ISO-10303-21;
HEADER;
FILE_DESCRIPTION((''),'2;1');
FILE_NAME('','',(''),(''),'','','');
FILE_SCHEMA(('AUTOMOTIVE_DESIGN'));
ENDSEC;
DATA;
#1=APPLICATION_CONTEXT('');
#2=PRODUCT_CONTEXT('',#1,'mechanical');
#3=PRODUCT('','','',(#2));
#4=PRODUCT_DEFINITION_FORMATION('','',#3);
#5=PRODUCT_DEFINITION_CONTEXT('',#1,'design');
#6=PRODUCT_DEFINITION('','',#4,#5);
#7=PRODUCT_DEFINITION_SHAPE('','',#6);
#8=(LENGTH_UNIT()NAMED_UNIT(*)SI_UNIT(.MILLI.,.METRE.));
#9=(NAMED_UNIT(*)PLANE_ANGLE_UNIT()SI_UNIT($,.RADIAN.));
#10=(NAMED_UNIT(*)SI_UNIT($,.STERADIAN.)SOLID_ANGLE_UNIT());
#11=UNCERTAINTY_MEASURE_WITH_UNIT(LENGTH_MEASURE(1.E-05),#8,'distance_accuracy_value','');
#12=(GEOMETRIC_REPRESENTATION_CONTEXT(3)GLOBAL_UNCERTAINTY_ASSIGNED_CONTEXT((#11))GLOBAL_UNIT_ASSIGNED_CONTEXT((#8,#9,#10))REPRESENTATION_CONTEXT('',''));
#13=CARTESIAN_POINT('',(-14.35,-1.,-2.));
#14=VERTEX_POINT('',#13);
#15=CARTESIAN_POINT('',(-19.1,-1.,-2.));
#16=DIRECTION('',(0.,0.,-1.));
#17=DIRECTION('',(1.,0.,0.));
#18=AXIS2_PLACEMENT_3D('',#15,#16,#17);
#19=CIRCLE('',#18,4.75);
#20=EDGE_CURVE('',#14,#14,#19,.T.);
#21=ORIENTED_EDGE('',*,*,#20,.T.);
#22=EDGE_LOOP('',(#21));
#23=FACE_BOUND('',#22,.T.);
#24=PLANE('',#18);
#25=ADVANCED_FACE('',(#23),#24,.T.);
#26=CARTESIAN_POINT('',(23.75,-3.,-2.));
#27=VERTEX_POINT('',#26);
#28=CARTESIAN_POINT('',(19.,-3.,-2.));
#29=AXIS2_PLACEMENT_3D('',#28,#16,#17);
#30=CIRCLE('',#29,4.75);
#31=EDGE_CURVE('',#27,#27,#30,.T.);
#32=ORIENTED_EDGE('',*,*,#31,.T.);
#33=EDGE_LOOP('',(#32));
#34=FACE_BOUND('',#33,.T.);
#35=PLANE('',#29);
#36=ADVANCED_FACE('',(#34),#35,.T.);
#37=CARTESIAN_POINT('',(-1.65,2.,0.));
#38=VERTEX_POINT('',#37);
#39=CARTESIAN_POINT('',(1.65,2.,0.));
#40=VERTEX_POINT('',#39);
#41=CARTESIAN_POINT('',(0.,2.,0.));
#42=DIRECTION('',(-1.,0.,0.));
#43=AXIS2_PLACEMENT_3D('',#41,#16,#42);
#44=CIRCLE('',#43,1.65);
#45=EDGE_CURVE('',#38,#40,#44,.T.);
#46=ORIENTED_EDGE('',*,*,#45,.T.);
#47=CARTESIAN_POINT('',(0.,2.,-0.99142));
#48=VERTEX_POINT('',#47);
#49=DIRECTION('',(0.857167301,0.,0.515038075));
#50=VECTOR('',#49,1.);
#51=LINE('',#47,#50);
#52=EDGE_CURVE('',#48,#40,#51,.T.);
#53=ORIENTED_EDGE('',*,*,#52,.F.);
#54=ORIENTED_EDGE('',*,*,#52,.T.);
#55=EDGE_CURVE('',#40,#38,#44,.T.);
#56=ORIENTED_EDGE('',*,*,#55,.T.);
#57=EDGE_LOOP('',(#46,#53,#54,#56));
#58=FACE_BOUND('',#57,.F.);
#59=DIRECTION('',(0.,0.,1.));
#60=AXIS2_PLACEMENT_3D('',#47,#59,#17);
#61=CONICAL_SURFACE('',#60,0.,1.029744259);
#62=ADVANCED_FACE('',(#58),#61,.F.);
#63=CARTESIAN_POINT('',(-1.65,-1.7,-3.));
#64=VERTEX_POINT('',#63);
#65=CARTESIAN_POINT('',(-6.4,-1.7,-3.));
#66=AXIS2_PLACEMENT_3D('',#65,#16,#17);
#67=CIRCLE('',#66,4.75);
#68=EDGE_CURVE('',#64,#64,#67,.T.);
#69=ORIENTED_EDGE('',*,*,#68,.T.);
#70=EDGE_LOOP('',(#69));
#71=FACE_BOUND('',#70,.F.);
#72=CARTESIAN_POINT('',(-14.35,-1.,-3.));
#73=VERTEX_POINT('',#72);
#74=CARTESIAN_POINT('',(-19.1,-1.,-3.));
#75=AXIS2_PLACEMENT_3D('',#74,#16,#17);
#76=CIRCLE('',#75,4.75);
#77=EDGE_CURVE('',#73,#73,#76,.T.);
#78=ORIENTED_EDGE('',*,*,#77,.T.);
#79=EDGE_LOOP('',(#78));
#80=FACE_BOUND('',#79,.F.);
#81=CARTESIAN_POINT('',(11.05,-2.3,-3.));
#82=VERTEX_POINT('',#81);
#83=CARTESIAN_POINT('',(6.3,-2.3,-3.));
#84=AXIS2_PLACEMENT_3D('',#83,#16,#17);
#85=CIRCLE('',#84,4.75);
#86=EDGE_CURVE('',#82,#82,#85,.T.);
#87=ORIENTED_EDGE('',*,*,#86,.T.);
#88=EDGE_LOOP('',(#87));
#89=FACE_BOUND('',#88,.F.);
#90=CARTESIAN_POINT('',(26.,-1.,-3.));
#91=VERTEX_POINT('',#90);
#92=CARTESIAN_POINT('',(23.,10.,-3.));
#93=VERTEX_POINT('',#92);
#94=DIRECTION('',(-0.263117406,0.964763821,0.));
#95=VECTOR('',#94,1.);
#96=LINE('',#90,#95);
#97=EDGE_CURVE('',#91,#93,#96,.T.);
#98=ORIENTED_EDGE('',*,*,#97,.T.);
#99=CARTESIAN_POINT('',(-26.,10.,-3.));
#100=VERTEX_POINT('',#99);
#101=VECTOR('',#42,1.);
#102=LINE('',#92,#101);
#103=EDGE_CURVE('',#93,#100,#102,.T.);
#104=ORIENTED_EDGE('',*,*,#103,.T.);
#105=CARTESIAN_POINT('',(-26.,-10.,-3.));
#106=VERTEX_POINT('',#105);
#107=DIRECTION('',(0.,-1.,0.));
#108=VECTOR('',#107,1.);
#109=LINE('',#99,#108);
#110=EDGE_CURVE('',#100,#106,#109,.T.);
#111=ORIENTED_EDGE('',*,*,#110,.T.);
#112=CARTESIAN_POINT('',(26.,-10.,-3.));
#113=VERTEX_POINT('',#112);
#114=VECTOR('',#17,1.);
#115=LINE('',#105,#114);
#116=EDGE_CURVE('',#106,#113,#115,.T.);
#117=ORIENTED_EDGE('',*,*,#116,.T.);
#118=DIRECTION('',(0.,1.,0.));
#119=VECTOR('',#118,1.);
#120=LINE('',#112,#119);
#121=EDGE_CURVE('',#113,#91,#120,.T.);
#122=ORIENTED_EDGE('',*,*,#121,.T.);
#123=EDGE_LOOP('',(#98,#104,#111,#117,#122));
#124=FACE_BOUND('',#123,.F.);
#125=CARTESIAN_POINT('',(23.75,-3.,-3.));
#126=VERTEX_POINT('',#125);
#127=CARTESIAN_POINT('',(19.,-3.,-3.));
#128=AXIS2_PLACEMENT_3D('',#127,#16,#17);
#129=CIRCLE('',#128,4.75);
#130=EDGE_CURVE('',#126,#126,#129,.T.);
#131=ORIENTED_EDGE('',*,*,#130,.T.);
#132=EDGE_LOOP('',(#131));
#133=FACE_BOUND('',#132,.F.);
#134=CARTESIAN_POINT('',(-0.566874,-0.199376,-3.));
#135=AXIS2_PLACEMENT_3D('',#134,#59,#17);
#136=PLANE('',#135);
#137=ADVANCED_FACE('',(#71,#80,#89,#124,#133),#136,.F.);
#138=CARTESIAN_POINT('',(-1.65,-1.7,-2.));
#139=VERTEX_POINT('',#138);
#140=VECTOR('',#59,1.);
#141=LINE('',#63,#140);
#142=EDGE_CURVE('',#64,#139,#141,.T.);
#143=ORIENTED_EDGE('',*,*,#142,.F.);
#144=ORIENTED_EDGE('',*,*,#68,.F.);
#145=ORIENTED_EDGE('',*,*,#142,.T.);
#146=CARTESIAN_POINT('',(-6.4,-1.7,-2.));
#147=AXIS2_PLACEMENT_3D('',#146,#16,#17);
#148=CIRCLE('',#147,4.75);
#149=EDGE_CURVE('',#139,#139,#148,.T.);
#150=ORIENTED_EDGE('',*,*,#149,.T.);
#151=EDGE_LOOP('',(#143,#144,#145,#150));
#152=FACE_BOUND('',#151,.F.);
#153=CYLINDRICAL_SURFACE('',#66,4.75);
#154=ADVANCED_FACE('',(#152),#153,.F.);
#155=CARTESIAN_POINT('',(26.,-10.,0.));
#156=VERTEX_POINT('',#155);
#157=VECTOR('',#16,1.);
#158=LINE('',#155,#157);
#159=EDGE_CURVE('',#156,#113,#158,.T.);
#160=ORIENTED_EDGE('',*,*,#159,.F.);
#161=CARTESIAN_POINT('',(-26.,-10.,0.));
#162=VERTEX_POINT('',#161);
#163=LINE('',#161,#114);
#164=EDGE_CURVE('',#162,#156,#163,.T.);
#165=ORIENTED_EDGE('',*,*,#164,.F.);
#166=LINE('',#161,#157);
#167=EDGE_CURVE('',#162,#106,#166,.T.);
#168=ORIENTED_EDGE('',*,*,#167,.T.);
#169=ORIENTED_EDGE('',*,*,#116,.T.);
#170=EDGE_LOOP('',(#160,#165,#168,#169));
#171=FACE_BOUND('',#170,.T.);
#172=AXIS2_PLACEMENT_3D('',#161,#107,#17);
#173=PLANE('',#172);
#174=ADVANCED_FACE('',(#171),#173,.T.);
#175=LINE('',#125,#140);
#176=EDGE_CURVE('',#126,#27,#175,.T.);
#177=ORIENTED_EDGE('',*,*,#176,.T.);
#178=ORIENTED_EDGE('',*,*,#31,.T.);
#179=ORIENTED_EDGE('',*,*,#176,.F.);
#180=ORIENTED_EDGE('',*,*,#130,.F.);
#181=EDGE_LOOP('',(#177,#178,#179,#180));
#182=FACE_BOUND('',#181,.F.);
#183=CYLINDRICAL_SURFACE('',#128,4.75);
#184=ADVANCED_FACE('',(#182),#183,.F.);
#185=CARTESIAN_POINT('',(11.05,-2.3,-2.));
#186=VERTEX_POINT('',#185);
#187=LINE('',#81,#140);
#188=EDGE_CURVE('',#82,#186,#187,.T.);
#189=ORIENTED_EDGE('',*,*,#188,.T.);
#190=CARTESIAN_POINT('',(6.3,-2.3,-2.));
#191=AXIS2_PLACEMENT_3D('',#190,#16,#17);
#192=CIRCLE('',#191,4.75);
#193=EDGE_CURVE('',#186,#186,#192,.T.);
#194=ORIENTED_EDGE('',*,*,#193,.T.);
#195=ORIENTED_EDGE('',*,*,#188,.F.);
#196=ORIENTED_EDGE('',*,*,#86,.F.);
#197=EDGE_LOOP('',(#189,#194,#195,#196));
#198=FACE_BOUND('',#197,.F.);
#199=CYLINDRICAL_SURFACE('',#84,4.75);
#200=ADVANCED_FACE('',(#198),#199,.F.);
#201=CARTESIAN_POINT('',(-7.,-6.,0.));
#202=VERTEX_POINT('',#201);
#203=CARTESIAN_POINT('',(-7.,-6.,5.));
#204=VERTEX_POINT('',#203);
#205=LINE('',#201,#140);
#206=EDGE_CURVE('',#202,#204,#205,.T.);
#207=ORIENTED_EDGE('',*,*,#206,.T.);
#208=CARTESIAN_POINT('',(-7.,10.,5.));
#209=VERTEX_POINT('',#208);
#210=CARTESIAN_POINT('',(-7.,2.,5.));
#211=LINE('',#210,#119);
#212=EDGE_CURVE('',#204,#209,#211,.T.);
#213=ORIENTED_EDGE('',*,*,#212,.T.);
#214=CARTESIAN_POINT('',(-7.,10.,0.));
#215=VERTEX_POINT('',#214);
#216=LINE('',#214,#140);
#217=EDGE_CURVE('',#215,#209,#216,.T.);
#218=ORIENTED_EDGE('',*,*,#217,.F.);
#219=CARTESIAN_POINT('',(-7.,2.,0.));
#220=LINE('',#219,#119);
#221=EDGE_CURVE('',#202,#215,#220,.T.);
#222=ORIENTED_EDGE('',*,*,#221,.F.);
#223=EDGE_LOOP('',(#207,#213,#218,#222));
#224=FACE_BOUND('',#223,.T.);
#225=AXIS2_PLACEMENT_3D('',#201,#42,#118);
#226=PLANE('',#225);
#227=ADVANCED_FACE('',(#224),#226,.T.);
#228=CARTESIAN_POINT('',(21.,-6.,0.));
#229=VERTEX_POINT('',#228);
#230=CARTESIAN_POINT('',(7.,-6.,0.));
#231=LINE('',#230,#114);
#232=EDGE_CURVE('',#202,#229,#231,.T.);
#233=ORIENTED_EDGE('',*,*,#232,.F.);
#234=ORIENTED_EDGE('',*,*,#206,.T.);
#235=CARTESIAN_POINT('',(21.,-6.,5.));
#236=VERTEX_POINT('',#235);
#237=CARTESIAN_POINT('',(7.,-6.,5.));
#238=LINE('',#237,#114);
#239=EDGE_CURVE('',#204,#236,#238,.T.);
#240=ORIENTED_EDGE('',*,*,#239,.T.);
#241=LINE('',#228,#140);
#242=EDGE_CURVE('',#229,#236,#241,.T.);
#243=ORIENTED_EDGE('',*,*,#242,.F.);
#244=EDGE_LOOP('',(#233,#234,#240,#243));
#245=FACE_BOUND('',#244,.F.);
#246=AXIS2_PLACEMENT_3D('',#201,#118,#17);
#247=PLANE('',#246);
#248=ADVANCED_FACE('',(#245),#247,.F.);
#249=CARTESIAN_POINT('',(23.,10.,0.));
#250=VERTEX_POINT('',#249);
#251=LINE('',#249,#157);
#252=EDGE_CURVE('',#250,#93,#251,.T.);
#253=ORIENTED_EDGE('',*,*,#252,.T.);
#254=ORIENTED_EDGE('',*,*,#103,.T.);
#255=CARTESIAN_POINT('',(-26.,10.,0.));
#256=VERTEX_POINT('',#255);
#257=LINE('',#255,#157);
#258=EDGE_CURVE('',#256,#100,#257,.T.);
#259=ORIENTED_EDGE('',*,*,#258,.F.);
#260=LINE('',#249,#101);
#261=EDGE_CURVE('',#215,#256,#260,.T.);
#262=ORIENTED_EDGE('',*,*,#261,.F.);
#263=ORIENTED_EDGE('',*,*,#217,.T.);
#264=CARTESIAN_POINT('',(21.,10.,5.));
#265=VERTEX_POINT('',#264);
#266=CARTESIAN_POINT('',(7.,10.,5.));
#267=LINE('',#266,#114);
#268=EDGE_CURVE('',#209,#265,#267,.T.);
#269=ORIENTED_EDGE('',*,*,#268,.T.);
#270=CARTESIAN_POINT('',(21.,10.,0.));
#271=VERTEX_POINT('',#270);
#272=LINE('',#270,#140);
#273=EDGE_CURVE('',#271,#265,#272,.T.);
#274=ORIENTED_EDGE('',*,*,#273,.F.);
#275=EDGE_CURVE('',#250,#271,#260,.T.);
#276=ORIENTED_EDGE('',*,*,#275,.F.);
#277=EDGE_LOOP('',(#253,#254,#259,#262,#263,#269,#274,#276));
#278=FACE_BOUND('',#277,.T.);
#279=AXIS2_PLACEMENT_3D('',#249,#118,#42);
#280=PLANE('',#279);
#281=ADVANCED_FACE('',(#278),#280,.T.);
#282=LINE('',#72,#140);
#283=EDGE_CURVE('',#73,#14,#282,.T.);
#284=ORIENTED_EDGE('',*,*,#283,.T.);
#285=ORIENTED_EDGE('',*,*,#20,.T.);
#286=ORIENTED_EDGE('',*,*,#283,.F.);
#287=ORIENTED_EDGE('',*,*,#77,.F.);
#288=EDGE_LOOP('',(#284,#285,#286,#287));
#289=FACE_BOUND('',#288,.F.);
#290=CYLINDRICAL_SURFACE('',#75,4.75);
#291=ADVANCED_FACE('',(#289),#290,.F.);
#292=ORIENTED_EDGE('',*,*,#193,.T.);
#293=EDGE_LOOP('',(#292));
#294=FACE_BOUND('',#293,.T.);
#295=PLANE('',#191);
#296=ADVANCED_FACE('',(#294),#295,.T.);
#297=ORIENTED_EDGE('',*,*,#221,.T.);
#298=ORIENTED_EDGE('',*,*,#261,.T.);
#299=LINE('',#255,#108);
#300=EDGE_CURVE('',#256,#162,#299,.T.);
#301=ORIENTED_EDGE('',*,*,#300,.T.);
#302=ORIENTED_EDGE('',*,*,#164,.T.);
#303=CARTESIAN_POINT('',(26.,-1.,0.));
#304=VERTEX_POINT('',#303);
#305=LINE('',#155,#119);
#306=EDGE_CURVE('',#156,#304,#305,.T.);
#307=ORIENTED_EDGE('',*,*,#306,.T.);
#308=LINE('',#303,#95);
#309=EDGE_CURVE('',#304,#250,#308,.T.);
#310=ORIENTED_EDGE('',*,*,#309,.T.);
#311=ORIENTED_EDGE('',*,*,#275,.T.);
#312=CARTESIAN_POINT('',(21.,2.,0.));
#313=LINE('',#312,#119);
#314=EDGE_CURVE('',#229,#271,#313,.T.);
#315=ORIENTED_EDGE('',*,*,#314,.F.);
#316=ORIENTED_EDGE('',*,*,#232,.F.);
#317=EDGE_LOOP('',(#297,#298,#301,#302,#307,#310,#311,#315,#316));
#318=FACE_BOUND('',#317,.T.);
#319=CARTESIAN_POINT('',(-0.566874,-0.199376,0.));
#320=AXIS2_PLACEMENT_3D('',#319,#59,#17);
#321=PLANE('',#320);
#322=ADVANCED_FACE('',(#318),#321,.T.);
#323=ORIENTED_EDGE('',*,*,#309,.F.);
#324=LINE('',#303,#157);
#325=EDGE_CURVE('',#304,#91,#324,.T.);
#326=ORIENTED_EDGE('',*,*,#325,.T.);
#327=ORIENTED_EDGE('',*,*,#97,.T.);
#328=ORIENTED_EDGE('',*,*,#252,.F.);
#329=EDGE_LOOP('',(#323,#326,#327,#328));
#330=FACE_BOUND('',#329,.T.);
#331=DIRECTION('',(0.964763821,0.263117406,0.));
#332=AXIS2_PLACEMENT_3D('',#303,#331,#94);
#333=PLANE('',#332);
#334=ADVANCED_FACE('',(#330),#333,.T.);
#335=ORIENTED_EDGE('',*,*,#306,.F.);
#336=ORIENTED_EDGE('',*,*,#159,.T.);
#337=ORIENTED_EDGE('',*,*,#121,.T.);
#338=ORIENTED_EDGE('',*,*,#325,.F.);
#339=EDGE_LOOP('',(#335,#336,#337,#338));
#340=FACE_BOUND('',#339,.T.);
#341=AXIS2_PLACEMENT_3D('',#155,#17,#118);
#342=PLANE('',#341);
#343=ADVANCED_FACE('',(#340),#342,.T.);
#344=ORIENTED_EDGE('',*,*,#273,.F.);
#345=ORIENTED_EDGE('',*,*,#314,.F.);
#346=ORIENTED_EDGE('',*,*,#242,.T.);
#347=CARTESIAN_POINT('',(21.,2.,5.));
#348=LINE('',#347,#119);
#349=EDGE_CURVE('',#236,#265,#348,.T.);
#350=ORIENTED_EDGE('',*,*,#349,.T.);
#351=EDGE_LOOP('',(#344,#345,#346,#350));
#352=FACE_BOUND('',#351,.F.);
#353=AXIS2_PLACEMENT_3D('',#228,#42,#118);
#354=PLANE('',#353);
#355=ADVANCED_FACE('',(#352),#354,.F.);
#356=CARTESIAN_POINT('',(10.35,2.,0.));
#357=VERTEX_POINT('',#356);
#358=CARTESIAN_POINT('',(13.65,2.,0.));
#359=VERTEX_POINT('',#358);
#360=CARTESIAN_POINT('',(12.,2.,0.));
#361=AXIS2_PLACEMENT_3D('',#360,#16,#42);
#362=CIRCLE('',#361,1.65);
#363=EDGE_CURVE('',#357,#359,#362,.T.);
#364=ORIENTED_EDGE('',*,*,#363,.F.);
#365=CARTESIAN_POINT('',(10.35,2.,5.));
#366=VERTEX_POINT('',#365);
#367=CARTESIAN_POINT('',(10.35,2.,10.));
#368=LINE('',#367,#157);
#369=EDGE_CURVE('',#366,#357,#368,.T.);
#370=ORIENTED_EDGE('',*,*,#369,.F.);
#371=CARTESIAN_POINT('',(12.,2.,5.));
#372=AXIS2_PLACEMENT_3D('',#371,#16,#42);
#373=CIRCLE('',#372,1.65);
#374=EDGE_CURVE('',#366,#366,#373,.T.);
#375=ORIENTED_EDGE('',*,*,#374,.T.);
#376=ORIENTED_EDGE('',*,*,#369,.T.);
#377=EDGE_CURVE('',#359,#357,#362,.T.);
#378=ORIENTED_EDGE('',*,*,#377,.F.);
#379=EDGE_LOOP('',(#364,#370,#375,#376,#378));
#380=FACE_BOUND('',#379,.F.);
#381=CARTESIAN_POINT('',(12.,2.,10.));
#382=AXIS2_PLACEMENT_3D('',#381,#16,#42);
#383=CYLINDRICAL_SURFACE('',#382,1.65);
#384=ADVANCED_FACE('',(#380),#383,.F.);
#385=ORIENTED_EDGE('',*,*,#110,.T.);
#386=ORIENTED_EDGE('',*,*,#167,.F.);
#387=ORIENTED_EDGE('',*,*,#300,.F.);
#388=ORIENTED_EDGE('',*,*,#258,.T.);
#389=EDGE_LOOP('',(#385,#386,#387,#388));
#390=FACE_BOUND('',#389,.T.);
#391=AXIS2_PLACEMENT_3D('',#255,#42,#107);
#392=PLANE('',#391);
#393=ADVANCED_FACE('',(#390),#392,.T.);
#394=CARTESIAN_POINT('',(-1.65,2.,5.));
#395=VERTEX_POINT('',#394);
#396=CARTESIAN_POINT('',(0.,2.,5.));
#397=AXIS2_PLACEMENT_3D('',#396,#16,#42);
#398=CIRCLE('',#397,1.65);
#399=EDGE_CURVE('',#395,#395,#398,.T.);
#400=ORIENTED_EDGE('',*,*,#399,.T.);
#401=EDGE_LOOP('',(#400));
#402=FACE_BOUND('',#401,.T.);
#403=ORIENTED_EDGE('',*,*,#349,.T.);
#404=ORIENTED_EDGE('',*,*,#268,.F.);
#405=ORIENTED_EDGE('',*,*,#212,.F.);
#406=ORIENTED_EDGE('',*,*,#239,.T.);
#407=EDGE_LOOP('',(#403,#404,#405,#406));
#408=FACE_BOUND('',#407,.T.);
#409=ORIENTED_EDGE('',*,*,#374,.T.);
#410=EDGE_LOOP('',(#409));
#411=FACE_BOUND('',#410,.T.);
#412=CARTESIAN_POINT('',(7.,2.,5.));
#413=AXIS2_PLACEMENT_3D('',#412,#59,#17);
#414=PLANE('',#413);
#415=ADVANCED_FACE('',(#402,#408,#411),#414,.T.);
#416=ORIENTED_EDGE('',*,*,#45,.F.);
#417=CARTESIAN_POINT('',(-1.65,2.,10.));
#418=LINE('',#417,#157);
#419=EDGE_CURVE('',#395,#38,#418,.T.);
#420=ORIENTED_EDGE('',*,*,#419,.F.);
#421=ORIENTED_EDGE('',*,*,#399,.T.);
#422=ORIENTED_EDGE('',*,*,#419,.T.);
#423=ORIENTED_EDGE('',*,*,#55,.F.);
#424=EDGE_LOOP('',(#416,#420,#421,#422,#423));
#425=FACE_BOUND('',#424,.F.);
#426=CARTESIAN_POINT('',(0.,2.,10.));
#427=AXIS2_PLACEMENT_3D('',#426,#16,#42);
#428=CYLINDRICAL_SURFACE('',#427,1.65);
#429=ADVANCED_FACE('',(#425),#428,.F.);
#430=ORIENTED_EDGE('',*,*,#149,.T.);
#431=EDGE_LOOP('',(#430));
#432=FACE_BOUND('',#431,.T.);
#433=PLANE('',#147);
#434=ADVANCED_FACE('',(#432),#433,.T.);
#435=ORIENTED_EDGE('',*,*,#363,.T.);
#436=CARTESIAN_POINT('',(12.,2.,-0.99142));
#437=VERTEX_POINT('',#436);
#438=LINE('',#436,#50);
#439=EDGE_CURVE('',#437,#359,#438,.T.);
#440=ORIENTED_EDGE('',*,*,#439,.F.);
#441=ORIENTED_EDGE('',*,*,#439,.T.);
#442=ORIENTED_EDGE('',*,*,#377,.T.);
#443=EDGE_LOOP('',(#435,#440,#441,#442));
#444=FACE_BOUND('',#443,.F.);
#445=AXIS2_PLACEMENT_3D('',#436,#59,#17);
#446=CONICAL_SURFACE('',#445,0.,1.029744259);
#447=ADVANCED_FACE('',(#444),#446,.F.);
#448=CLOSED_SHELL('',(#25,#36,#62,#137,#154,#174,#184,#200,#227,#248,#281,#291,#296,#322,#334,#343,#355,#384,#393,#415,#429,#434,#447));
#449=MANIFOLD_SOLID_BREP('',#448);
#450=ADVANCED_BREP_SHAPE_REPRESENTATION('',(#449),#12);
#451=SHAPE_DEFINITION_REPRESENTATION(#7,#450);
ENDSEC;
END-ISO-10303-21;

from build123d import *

# Parameters (mm, degrees)
F1_DEPTH = 3
F2_R     = 4.75
F3_DEPTH = 1
F4_W     = 28
F4_H     = 16
F5_DEPTH = 5
F7_D     = 3.3
F7_DEPTH = 5
F7_TIP   = 0.9914200214


with BuildPart() as f1:
    # F0 (on Top) → F1 (new body)
    with BuildSketch(Plane.XY):
        Polygon((23, 10), (-26, 10), (-26, -10), (26, -10), (26, -1), align=None)
    extrude(amount=-F1_DEPTH)

    # F2 (on face) → F3 (cut)
    with BuildSketch(Plane(origin=(0, 0, -3), x_dir=(1, 0, 0), z_dir=(0, 0, -1))):
        with Locations((19, 3)):
            Circle(F2_R)
        with Locations((6.3, 2.3)):
            Circle(F2_R)
        with Locations((-6.4, 1.7)):
            Circle(F2_R)
        with Locations((-19.1, 1)):
            Circle(F2_R)
    extrude(amount=-F3_DEPTH, mode=Mode.SUBTRACT)

    # F4 (on face) → F5 (join)
    with BuildSketch(Plane.XY):
        with Locations((7, 2)):
            Rectangle(F4_W, F4_H)
    extrude(amount=F5_DEPTH)

    # F7
    with Locations(Plane.XY.offset(5)):
        with Locations((0, 2), (12, 2)):
            Hole(F7_D / 2, depth=F7_DEPTH)
            with Locations((0, 0, -(F7_DEPTH + F7_TIP / 2))):  # 118° drill point
                Cone(0, F7_D / 2, F7_TIP, mode=Mode.SUBTRACT)


solid = f1.part
